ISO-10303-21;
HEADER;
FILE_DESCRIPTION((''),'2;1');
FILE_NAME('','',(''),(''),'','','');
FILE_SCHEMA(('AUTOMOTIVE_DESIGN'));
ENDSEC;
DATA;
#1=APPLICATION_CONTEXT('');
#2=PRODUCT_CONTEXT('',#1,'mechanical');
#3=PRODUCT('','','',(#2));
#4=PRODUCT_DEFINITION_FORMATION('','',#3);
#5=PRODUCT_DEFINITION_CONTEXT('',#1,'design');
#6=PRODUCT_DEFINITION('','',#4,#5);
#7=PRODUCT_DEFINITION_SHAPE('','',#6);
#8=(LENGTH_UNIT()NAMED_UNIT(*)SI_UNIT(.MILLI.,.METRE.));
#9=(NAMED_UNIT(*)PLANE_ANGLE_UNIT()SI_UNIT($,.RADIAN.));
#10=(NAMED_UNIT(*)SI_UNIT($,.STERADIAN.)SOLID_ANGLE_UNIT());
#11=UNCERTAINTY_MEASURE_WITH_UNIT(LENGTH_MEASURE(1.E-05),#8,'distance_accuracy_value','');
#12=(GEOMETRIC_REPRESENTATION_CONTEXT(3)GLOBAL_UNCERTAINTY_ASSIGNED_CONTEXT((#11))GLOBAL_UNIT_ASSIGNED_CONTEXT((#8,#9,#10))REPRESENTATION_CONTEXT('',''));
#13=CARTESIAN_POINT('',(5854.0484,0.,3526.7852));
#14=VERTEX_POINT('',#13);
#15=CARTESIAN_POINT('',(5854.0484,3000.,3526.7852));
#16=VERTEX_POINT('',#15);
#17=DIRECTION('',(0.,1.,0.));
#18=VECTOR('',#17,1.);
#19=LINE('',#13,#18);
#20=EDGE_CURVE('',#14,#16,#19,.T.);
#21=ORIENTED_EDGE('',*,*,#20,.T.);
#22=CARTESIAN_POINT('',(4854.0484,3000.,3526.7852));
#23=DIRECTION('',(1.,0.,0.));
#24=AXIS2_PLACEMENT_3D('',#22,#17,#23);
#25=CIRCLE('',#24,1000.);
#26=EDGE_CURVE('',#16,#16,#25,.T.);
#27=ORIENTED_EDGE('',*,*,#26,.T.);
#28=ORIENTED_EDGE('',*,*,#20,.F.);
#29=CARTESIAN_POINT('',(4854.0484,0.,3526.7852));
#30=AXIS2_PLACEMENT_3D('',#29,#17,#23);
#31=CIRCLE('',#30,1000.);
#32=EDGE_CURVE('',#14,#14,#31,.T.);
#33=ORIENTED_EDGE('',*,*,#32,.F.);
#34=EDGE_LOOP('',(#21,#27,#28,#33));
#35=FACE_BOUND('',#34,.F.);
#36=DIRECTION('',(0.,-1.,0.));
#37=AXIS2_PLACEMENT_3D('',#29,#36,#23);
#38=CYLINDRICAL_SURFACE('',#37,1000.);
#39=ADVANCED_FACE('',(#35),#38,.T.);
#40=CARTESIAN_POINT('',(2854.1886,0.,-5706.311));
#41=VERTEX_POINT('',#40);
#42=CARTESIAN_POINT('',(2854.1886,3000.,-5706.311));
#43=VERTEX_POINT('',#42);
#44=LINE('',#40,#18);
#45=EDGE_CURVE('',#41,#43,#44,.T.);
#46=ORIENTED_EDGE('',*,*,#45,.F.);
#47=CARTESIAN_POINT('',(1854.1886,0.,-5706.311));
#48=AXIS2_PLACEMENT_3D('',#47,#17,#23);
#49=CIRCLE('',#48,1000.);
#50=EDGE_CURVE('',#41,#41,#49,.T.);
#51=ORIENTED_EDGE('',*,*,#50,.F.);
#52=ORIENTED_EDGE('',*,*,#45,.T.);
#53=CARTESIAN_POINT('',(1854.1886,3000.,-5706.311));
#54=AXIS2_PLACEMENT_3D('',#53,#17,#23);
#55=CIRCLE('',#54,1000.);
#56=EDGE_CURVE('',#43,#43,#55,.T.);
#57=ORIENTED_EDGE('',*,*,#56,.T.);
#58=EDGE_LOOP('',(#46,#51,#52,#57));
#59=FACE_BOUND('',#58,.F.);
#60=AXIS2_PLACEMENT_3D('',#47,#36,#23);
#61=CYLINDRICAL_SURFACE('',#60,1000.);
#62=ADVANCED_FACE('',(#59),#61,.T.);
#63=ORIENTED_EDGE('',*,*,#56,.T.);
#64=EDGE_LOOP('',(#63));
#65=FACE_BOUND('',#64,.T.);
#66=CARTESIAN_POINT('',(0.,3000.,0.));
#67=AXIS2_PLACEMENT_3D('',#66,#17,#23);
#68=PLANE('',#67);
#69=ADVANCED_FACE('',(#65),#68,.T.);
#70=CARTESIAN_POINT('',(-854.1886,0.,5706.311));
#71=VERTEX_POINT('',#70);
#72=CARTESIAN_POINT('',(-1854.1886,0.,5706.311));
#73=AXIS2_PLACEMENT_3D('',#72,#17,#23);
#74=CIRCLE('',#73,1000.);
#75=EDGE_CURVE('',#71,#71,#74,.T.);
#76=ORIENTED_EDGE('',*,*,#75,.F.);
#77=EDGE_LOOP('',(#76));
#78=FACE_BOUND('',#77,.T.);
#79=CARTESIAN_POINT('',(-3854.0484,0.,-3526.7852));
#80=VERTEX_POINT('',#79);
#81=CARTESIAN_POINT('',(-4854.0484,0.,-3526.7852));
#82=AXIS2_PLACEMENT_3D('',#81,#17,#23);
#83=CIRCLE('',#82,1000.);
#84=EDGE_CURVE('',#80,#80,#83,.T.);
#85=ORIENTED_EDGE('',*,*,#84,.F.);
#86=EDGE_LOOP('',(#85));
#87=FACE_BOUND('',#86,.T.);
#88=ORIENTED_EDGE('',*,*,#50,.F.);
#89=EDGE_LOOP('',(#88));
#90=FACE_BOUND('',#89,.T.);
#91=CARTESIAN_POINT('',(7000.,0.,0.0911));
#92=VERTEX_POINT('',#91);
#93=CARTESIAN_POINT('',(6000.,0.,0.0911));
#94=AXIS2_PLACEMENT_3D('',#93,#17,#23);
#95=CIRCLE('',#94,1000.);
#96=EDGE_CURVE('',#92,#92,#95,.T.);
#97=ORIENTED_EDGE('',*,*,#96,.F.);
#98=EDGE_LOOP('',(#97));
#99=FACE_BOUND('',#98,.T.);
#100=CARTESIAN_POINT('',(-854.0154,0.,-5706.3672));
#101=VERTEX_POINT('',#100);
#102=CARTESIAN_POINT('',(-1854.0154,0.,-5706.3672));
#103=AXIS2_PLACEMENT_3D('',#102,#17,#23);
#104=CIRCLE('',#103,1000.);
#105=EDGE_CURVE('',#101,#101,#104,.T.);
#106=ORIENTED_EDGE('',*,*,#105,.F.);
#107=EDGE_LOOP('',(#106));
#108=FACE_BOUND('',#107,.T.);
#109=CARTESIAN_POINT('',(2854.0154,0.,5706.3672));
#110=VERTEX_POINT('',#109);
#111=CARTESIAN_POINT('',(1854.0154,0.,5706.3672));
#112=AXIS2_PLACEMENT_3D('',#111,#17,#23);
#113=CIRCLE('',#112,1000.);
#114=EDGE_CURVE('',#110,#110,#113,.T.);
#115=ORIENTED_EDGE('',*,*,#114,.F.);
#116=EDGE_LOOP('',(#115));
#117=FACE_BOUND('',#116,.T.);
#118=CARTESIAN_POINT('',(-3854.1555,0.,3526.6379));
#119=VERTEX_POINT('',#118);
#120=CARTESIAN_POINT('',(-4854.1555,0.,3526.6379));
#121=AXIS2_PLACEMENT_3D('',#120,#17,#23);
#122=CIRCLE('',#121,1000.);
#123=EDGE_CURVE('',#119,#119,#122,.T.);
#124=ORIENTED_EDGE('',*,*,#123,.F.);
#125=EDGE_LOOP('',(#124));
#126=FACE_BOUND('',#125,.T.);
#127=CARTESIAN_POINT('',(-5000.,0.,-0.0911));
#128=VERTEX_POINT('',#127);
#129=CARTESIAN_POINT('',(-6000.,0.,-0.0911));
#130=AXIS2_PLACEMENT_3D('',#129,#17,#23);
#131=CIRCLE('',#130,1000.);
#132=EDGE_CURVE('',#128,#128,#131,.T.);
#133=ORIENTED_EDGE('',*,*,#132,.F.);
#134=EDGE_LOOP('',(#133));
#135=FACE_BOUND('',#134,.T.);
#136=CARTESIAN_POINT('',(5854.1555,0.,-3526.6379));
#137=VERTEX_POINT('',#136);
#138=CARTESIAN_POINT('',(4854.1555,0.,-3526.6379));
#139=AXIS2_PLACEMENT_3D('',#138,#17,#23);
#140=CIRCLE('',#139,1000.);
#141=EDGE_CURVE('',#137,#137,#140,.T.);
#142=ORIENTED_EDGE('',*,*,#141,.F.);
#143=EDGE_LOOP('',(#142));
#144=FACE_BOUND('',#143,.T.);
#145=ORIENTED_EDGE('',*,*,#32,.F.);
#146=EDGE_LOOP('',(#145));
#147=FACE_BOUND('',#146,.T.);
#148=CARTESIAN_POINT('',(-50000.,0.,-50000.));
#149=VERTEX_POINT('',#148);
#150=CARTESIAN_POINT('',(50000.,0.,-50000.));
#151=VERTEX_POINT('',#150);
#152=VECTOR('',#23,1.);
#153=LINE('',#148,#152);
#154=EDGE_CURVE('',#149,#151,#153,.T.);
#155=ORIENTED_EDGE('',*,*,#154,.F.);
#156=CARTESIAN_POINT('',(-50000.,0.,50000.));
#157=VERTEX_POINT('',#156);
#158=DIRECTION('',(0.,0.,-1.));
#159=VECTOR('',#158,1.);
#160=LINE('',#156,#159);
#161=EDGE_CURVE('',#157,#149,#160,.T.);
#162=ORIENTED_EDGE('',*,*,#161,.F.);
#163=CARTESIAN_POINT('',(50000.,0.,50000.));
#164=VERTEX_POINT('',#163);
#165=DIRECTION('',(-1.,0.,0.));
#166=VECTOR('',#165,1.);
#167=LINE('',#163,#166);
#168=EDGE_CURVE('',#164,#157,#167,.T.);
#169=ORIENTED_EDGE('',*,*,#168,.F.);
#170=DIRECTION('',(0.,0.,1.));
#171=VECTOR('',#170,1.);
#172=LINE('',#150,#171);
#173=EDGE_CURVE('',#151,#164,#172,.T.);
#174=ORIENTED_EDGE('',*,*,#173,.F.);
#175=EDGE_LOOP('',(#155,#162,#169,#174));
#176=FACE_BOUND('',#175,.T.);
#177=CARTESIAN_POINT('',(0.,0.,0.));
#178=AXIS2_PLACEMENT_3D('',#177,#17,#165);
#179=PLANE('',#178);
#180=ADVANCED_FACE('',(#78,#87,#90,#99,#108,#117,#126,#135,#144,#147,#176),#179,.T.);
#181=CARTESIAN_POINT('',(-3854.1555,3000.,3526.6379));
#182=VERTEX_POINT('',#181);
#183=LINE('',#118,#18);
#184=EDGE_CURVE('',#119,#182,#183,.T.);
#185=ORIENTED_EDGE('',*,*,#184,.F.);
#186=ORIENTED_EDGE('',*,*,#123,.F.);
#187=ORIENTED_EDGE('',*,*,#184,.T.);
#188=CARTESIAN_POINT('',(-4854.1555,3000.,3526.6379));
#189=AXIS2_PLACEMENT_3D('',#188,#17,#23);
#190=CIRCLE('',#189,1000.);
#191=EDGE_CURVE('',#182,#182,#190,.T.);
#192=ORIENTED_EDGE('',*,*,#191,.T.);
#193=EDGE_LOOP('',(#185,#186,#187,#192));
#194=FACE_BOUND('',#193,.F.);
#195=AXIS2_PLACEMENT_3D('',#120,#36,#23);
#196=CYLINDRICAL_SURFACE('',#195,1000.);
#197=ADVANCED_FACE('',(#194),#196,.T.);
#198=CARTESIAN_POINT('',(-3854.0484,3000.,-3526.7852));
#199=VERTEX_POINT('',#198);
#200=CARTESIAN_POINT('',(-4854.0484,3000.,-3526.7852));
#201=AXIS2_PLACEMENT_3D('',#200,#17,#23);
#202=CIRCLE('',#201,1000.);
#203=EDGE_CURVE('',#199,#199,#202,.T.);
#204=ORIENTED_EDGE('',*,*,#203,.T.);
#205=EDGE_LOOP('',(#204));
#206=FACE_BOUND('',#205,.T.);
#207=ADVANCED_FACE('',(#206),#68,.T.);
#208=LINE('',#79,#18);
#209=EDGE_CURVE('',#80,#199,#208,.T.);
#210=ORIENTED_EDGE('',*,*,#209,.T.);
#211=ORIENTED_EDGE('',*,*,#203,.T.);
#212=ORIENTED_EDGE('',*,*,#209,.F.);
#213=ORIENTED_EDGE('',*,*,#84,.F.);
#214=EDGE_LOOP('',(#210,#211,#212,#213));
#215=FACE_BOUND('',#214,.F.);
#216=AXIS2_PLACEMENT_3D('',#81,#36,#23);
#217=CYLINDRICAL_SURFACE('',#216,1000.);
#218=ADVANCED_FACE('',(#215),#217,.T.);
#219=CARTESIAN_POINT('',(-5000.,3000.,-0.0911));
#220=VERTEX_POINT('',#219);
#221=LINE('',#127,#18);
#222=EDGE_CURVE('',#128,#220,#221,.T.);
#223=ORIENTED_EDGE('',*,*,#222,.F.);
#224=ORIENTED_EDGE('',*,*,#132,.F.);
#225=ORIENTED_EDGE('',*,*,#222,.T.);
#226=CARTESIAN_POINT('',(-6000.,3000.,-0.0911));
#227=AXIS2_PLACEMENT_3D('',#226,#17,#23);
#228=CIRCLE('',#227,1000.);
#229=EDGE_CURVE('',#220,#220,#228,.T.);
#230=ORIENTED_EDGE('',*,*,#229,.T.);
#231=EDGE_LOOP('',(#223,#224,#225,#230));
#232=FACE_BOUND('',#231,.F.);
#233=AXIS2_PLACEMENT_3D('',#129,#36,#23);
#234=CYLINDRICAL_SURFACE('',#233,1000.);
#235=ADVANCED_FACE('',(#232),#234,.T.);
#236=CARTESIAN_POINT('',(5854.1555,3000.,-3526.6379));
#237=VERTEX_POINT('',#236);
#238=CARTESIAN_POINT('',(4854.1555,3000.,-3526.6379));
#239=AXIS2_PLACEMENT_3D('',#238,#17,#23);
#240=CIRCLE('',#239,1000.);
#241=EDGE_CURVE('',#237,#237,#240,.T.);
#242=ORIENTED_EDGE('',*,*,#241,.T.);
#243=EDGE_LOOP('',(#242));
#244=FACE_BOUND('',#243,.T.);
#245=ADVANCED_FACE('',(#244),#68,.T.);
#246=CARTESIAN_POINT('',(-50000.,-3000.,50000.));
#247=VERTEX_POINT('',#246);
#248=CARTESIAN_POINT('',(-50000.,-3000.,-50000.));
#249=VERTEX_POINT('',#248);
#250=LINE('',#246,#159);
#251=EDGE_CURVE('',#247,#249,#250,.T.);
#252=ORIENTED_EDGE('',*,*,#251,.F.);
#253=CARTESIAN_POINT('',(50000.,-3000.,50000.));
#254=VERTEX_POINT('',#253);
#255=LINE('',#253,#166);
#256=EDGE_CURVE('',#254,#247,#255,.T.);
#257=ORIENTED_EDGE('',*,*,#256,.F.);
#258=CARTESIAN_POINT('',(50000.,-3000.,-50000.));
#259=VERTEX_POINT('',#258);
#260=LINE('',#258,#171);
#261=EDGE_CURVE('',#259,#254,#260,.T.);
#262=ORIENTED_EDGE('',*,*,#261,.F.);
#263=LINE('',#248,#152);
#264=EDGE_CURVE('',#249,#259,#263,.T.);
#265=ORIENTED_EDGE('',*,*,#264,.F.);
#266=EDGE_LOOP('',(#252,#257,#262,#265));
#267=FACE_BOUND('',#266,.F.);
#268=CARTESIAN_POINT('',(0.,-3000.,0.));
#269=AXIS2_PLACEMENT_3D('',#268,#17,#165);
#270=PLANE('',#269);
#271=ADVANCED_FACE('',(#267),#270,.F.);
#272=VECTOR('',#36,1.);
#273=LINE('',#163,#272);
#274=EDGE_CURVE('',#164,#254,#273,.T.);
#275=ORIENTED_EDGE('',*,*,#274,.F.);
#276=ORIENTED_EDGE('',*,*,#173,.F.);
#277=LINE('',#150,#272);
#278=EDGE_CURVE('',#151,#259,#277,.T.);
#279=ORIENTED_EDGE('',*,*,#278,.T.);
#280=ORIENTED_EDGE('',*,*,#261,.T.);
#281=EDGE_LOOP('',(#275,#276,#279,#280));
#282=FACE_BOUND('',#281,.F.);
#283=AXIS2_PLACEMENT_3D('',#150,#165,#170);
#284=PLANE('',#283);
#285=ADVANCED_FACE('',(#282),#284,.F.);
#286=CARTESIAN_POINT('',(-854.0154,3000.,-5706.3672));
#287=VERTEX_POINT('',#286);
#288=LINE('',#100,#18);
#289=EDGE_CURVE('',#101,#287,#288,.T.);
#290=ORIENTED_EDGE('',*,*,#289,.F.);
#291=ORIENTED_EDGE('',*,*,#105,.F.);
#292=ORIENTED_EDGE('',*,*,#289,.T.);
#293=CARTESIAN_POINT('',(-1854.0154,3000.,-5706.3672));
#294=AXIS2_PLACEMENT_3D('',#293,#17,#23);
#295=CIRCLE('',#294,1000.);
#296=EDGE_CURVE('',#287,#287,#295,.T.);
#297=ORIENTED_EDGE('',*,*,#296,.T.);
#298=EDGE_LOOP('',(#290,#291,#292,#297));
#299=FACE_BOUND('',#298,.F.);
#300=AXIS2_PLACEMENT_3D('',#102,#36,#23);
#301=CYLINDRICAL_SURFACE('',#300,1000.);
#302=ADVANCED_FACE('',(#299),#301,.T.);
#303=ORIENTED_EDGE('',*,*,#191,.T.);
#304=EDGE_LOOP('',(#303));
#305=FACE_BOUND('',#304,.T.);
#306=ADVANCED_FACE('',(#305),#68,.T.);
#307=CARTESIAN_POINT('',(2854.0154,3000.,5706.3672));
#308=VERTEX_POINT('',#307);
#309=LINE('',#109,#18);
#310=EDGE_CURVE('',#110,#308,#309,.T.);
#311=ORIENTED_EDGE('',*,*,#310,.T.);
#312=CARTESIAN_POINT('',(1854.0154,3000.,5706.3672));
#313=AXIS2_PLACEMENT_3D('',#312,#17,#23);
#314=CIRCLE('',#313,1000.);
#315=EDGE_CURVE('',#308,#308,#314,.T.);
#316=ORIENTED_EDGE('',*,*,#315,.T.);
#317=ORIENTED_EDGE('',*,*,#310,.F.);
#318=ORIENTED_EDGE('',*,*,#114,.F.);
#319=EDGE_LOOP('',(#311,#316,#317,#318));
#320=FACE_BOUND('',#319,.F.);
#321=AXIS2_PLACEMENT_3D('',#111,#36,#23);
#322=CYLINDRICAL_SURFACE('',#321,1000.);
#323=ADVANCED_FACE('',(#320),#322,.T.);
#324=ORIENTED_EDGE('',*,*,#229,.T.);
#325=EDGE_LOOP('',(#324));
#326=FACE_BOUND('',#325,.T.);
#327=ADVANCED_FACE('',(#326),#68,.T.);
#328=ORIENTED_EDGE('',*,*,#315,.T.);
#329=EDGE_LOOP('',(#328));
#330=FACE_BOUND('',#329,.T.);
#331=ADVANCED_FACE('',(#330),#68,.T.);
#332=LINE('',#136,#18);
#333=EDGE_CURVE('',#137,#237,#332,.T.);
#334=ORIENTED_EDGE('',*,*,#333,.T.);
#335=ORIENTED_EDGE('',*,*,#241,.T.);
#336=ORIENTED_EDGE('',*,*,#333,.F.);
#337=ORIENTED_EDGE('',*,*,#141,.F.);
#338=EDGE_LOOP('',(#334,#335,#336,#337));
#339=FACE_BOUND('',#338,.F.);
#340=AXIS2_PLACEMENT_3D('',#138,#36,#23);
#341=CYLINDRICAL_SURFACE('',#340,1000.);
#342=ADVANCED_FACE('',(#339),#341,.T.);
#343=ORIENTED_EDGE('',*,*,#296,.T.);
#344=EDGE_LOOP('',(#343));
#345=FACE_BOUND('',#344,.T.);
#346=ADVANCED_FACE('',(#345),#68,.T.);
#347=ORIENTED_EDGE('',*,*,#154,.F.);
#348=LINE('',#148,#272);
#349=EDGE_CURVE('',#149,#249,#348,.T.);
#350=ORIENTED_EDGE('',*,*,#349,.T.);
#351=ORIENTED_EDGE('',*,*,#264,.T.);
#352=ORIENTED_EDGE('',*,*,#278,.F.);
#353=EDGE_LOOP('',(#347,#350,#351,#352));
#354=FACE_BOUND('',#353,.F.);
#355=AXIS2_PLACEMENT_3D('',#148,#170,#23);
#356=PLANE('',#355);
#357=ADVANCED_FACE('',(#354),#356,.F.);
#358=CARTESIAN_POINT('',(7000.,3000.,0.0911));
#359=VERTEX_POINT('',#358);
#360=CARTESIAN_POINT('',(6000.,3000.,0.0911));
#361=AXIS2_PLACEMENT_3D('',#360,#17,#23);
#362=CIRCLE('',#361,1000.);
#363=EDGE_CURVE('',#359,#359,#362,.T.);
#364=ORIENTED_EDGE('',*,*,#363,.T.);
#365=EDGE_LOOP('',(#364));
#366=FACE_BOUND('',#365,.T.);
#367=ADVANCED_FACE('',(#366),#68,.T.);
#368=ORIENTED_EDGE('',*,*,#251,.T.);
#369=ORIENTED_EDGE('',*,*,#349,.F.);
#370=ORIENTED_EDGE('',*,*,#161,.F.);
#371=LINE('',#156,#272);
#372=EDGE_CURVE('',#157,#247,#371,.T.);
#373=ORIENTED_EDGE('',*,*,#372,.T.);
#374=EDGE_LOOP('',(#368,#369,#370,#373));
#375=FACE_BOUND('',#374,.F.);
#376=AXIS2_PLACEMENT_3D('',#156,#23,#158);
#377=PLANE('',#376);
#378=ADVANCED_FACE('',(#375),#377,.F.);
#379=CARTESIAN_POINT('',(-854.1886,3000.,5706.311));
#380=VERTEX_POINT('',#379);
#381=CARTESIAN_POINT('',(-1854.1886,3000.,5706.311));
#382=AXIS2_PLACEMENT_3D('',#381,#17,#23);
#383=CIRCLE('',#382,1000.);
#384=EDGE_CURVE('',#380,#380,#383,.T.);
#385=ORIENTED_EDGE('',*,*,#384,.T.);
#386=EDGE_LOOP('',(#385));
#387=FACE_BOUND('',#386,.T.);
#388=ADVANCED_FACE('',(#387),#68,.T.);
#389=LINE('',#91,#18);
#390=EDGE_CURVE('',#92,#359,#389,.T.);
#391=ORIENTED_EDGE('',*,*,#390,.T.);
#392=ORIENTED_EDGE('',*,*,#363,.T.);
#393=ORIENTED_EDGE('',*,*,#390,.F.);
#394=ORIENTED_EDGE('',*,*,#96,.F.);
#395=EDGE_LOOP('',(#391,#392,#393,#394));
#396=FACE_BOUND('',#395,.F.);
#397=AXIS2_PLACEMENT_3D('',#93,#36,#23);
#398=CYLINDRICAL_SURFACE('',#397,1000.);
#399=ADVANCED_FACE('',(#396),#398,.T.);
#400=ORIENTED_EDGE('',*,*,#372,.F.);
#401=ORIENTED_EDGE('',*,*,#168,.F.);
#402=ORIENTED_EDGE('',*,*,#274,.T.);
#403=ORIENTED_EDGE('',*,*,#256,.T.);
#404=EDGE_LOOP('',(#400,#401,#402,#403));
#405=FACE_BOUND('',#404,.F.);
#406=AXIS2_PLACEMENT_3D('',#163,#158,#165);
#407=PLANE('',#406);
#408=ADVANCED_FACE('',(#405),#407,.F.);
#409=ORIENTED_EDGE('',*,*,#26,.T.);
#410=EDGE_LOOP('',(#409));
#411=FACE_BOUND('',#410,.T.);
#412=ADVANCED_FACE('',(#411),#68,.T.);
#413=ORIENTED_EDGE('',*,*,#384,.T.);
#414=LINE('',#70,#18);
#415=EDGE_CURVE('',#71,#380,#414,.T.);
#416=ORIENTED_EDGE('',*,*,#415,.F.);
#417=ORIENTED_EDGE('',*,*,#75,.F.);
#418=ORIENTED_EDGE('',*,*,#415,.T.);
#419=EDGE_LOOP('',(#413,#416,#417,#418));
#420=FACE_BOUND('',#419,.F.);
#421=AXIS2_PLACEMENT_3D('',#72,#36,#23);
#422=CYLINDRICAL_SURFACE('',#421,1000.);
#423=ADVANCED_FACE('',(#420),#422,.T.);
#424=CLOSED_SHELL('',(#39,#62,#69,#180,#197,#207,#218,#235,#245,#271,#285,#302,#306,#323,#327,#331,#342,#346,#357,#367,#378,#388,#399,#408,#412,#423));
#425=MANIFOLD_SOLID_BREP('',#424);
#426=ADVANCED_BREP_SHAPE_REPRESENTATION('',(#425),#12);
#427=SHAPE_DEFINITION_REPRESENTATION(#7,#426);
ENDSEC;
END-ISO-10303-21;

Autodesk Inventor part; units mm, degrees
ref_plane "YZ Plane" through (0, 0, 0) normal (1, 0, 0) x (0, 1, 0)
ref_plane "XZ Plane" through (0, 0, 0) normal (0, 1, 0) x (-1, 0, 0)
ref_plane "XY Plane" through (0, 0, 0) normal (0, 0, 1) x (1, 0, 0)
sketch "Sketch1" plane through (0, 0, 0) normal (0, 1, 0) x (-1, 0, 0)
  line L0 (-50000, 50000) -> (50000, 50000)
  line L1 (50000, 50000) -> (50000, -50000)
  line L2 (50000, -50000) -> (-50000, -50000)
  line L3 (-50000, -50000) -> (-50000, 50000)
  line L4 (-50000, 50000) -> (50000, -50000) construction
  line L5 (50000, 50000) -> (-50000, -50000) construction
  point P0 (0, 0)
  dimension "d0" = 100000
  dimension "d1" = 100000
extrude "Extrusion1" add sketch "Sketch1" against normal blind 3000
sketch "Sketch2" plane through (0, 0, 0) normal (0, 1, 0) x (1, 0, 0)
  circle A0 centre (0, 0) radius 6000 construction
  circle A1 centre (6000, -0.0911) radius 1000
  circle A2 centre (4854.1555, 3526.6379) radius 1000
  circle A3 centre (1854.1886, 5706.311) radius 1000
  circle A4 centre (-1854.0154, 5706.3672) radius 1000
  circle A5 centre (-4854.0484, 3526.7852) radius 1000
  circle A6 centre (-6000, 0.0911) radius 1000
  circle A7 centre (-4854.1555, -3526.6379) radius 1000
  circle A8 centre (-1854.1886, -5706.311) radius 1000
  circle A9 centre (1854.0154, -5706.3672) radius 1000
  circle A10 centre (4854.0484, -3526.7852) radius 1000
  dimension "d4" = 12000
  dimension "d5" = 2000
  dimension "d8" = 360
extrude "Extrusion2" add sketch "Sketch2" along normal blind 3000
properties part number "verify_geometry2"
